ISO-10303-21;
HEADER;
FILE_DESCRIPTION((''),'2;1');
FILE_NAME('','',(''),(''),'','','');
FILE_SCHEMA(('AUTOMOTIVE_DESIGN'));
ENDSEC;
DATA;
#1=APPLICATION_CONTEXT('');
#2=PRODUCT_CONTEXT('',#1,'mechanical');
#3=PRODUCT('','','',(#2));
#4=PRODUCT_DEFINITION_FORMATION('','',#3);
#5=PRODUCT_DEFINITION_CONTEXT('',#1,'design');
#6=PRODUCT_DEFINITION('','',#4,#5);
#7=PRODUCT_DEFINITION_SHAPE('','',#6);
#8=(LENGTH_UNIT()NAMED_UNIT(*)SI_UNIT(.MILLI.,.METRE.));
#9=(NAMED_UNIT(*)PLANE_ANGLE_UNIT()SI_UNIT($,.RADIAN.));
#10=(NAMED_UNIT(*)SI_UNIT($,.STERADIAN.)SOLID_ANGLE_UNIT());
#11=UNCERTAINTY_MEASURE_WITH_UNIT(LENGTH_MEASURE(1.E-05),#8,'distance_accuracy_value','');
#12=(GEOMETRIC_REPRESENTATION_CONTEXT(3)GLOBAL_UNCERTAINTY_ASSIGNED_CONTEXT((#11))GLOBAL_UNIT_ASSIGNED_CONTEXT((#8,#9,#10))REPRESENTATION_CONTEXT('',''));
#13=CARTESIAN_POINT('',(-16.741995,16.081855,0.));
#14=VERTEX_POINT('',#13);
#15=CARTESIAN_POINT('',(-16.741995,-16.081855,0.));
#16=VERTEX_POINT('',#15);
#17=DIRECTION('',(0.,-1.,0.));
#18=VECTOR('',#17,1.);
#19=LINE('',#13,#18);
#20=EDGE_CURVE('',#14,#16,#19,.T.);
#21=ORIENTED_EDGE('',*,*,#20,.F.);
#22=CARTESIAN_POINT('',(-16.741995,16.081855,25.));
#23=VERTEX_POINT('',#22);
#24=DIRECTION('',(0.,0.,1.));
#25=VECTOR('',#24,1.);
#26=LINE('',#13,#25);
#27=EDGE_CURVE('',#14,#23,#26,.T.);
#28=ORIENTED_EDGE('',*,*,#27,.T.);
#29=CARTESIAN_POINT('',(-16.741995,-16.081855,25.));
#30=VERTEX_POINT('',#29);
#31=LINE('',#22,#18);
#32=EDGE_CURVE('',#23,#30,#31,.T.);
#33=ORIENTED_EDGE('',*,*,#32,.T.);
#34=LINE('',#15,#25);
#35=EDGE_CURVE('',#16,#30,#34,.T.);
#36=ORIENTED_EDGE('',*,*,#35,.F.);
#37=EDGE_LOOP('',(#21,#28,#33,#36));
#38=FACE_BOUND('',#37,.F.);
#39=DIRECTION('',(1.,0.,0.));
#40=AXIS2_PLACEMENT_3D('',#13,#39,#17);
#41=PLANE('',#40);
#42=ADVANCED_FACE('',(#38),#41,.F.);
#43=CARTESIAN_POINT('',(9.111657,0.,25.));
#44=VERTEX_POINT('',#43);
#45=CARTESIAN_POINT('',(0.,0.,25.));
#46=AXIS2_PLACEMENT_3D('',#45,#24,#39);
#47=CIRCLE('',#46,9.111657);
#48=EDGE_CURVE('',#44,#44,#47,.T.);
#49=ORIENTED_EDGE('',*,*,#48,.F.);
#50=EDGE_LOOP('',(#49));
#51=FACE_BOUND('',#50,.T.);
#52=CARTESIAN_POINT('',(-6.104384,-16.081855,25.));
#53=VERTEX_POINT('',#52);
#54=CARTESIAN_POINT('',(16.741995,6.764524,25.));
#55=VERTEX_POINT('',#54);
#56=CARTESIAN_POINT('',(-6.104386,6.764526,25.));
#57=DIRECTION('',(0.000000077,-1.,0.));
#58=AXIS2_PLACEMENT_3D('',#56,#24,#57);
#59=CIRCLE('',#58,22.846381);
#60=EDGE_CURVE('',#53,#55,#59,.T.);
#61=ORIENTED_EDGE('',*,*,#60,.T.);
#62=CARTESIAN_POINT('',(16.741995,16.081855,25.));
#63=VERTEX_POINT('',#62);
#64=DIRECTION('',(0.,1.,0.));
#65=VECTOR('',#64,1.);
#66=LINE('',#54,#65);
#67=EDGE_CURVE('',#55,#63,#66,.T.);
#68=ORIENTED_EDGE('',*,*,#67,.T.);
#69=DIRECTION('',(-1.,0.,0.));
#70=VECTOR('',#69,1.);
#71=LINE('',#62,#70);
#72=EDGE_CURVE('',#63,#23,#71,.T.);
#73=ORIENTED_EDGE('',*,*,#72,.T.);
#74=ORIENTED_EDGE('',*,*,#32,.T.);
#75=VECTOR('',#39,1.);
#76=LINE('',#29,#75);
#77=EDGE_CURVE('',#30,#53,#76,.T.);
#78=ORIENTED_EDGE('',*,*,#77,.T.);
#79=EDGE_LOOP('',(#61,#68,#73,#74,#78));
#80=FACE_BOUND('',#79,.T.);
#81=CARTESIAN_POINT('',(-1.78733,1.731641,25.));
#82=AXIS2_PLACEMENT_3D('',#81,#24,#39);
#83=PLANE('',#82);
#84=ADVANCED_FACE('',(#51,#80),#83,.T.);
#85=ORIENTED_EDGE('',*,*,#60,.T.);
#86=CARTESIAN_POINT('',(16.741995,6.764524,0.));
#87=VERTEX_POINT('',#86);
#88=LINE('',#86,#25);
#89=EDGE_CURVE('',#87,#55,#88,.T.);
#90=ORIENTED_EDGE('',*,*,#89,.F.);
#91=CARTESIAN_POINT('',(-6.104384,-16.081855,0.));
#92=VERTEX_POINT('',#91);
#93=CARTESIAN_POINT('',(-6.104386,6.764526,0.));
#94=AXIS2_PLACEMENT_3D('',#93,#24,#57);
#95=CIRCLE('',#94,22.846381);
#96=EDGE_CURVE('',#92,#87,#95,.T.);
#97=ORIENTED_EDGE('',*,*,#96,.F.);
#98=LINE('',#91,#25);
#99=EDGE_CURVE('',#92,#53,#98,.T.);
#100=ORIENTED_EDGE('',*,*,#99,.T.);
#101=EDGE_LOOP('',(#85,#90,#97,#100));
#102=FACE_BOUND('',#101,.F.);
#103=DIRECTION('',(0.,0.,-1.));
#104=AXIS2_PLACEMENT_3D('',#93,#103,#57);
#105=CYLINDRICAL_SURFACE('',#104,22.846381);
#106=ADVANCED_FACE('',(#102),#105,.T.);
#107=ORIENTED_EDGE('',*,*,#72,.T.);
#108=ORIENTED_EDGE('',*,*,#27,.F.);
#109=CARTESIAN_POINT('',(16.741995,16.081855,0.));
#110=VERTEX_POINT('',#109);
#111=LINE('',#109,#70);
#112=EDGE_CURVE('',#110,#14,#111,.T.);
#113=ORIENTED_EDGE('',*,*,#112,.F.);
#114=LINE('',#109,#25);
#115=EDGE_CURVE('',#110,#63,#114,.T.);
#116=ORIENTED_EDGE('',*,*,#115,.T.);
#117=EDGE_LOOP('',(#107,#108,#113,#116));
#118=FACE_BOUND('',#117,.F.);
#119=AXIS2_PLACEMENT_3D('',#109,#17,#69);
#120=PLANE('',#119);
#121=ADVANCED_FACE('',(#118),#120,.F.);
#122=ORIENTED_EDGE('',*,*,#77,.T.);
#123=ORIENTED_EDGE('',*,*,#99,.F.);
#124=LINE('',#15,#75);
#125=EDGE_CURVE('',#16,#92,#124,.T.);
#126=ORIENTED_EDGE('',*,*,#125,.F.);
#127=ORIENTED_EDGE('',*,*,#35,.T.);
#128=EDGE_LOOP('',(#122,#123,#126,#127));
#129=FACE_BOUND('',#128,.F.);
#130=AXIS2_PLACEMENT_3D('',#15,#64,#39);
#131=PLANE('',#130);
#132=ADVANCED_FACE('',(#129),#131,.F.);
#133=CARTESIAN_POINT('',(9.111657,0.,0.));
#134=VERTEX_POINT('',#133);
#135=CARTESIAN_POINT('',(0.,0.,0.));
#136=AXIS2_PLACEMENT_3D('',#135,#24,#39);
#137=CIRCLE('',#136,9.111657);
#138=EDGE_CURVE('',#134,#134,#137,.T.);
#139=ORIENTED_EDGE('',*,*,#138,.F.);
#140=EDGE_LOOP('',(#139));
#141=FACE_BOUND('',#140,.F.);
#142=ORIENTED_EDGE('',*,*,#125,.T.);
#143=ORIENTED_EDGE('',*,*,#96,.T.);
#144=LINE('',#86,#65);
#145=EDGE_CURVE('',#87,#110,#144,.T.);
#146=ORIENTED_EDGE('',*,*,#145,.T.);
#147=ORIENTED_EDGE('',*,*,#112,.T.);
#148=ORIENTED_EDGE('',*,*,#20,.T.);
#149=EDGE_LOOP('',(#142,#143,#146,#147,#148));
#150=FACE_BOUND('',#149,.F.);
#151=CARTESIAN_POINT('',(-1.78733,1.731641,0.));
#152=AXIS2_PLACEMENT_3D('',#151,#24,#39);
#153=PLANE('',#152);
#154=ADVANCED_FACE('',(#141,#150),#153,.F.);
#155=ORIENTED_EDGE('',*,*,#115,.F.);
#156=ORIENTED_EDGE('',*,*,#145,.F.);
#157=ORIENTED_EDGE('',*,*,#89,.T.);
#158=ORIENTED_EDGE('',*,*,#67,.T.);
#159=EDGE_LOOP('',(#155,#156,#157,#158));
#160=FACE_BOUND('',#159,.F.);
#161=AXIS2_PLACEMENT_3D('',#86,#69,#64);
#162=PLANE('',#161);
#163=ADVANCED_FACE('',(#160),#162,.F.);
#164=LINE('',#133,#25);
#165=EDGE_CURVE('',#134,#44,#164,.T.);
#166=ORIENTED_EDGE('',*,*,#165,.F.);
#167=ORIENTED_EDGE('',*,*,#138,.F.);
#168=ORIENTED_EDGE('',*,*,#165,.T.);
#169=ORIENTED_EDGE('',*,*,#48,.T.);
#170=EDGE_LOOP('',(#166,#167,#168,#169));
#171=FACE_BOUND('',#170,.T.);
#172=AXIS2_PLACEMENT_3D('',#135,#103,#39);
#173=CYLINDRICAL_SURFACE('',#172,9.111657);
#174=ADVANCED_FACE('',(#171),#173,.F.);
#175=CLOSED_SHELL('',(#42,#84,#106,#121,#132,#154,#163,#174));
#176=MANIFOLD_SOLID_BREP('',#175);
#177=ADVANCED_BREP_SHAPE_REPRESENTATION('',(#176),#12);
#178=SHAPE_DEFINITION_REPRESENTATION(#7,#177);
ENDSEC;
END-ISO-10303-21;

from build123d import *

# Parameters (mm, degrees)
F0_R     = 9.111657
F1_DEPTH = 25


with BuildPart() as f1:
    # F0 (on Top) → F1 (new body)
    with BuildSketch(Plane.XY):
        with BuildLine():
            Line((16.741995, 16.081855), (-16.741995, 16.081855))
            Line((-16.741995, 16.081855), (-16.741995, -16.081855))
            Line((-16.741995, -16.081855), (-6.104384, -16.081855))
            ThreePointArc((-6.104384, -16.081855), (10.050445, -9.390305), (16.741995, 6.764524))
            Line((16.741995, 6.764524), (16.741995, 16.081855))
        make_face()
        Circle(F0_R, mode=Mode.SUBTRACT)
    extrude(amount=F1_DEPTH)


solid = f1.part
